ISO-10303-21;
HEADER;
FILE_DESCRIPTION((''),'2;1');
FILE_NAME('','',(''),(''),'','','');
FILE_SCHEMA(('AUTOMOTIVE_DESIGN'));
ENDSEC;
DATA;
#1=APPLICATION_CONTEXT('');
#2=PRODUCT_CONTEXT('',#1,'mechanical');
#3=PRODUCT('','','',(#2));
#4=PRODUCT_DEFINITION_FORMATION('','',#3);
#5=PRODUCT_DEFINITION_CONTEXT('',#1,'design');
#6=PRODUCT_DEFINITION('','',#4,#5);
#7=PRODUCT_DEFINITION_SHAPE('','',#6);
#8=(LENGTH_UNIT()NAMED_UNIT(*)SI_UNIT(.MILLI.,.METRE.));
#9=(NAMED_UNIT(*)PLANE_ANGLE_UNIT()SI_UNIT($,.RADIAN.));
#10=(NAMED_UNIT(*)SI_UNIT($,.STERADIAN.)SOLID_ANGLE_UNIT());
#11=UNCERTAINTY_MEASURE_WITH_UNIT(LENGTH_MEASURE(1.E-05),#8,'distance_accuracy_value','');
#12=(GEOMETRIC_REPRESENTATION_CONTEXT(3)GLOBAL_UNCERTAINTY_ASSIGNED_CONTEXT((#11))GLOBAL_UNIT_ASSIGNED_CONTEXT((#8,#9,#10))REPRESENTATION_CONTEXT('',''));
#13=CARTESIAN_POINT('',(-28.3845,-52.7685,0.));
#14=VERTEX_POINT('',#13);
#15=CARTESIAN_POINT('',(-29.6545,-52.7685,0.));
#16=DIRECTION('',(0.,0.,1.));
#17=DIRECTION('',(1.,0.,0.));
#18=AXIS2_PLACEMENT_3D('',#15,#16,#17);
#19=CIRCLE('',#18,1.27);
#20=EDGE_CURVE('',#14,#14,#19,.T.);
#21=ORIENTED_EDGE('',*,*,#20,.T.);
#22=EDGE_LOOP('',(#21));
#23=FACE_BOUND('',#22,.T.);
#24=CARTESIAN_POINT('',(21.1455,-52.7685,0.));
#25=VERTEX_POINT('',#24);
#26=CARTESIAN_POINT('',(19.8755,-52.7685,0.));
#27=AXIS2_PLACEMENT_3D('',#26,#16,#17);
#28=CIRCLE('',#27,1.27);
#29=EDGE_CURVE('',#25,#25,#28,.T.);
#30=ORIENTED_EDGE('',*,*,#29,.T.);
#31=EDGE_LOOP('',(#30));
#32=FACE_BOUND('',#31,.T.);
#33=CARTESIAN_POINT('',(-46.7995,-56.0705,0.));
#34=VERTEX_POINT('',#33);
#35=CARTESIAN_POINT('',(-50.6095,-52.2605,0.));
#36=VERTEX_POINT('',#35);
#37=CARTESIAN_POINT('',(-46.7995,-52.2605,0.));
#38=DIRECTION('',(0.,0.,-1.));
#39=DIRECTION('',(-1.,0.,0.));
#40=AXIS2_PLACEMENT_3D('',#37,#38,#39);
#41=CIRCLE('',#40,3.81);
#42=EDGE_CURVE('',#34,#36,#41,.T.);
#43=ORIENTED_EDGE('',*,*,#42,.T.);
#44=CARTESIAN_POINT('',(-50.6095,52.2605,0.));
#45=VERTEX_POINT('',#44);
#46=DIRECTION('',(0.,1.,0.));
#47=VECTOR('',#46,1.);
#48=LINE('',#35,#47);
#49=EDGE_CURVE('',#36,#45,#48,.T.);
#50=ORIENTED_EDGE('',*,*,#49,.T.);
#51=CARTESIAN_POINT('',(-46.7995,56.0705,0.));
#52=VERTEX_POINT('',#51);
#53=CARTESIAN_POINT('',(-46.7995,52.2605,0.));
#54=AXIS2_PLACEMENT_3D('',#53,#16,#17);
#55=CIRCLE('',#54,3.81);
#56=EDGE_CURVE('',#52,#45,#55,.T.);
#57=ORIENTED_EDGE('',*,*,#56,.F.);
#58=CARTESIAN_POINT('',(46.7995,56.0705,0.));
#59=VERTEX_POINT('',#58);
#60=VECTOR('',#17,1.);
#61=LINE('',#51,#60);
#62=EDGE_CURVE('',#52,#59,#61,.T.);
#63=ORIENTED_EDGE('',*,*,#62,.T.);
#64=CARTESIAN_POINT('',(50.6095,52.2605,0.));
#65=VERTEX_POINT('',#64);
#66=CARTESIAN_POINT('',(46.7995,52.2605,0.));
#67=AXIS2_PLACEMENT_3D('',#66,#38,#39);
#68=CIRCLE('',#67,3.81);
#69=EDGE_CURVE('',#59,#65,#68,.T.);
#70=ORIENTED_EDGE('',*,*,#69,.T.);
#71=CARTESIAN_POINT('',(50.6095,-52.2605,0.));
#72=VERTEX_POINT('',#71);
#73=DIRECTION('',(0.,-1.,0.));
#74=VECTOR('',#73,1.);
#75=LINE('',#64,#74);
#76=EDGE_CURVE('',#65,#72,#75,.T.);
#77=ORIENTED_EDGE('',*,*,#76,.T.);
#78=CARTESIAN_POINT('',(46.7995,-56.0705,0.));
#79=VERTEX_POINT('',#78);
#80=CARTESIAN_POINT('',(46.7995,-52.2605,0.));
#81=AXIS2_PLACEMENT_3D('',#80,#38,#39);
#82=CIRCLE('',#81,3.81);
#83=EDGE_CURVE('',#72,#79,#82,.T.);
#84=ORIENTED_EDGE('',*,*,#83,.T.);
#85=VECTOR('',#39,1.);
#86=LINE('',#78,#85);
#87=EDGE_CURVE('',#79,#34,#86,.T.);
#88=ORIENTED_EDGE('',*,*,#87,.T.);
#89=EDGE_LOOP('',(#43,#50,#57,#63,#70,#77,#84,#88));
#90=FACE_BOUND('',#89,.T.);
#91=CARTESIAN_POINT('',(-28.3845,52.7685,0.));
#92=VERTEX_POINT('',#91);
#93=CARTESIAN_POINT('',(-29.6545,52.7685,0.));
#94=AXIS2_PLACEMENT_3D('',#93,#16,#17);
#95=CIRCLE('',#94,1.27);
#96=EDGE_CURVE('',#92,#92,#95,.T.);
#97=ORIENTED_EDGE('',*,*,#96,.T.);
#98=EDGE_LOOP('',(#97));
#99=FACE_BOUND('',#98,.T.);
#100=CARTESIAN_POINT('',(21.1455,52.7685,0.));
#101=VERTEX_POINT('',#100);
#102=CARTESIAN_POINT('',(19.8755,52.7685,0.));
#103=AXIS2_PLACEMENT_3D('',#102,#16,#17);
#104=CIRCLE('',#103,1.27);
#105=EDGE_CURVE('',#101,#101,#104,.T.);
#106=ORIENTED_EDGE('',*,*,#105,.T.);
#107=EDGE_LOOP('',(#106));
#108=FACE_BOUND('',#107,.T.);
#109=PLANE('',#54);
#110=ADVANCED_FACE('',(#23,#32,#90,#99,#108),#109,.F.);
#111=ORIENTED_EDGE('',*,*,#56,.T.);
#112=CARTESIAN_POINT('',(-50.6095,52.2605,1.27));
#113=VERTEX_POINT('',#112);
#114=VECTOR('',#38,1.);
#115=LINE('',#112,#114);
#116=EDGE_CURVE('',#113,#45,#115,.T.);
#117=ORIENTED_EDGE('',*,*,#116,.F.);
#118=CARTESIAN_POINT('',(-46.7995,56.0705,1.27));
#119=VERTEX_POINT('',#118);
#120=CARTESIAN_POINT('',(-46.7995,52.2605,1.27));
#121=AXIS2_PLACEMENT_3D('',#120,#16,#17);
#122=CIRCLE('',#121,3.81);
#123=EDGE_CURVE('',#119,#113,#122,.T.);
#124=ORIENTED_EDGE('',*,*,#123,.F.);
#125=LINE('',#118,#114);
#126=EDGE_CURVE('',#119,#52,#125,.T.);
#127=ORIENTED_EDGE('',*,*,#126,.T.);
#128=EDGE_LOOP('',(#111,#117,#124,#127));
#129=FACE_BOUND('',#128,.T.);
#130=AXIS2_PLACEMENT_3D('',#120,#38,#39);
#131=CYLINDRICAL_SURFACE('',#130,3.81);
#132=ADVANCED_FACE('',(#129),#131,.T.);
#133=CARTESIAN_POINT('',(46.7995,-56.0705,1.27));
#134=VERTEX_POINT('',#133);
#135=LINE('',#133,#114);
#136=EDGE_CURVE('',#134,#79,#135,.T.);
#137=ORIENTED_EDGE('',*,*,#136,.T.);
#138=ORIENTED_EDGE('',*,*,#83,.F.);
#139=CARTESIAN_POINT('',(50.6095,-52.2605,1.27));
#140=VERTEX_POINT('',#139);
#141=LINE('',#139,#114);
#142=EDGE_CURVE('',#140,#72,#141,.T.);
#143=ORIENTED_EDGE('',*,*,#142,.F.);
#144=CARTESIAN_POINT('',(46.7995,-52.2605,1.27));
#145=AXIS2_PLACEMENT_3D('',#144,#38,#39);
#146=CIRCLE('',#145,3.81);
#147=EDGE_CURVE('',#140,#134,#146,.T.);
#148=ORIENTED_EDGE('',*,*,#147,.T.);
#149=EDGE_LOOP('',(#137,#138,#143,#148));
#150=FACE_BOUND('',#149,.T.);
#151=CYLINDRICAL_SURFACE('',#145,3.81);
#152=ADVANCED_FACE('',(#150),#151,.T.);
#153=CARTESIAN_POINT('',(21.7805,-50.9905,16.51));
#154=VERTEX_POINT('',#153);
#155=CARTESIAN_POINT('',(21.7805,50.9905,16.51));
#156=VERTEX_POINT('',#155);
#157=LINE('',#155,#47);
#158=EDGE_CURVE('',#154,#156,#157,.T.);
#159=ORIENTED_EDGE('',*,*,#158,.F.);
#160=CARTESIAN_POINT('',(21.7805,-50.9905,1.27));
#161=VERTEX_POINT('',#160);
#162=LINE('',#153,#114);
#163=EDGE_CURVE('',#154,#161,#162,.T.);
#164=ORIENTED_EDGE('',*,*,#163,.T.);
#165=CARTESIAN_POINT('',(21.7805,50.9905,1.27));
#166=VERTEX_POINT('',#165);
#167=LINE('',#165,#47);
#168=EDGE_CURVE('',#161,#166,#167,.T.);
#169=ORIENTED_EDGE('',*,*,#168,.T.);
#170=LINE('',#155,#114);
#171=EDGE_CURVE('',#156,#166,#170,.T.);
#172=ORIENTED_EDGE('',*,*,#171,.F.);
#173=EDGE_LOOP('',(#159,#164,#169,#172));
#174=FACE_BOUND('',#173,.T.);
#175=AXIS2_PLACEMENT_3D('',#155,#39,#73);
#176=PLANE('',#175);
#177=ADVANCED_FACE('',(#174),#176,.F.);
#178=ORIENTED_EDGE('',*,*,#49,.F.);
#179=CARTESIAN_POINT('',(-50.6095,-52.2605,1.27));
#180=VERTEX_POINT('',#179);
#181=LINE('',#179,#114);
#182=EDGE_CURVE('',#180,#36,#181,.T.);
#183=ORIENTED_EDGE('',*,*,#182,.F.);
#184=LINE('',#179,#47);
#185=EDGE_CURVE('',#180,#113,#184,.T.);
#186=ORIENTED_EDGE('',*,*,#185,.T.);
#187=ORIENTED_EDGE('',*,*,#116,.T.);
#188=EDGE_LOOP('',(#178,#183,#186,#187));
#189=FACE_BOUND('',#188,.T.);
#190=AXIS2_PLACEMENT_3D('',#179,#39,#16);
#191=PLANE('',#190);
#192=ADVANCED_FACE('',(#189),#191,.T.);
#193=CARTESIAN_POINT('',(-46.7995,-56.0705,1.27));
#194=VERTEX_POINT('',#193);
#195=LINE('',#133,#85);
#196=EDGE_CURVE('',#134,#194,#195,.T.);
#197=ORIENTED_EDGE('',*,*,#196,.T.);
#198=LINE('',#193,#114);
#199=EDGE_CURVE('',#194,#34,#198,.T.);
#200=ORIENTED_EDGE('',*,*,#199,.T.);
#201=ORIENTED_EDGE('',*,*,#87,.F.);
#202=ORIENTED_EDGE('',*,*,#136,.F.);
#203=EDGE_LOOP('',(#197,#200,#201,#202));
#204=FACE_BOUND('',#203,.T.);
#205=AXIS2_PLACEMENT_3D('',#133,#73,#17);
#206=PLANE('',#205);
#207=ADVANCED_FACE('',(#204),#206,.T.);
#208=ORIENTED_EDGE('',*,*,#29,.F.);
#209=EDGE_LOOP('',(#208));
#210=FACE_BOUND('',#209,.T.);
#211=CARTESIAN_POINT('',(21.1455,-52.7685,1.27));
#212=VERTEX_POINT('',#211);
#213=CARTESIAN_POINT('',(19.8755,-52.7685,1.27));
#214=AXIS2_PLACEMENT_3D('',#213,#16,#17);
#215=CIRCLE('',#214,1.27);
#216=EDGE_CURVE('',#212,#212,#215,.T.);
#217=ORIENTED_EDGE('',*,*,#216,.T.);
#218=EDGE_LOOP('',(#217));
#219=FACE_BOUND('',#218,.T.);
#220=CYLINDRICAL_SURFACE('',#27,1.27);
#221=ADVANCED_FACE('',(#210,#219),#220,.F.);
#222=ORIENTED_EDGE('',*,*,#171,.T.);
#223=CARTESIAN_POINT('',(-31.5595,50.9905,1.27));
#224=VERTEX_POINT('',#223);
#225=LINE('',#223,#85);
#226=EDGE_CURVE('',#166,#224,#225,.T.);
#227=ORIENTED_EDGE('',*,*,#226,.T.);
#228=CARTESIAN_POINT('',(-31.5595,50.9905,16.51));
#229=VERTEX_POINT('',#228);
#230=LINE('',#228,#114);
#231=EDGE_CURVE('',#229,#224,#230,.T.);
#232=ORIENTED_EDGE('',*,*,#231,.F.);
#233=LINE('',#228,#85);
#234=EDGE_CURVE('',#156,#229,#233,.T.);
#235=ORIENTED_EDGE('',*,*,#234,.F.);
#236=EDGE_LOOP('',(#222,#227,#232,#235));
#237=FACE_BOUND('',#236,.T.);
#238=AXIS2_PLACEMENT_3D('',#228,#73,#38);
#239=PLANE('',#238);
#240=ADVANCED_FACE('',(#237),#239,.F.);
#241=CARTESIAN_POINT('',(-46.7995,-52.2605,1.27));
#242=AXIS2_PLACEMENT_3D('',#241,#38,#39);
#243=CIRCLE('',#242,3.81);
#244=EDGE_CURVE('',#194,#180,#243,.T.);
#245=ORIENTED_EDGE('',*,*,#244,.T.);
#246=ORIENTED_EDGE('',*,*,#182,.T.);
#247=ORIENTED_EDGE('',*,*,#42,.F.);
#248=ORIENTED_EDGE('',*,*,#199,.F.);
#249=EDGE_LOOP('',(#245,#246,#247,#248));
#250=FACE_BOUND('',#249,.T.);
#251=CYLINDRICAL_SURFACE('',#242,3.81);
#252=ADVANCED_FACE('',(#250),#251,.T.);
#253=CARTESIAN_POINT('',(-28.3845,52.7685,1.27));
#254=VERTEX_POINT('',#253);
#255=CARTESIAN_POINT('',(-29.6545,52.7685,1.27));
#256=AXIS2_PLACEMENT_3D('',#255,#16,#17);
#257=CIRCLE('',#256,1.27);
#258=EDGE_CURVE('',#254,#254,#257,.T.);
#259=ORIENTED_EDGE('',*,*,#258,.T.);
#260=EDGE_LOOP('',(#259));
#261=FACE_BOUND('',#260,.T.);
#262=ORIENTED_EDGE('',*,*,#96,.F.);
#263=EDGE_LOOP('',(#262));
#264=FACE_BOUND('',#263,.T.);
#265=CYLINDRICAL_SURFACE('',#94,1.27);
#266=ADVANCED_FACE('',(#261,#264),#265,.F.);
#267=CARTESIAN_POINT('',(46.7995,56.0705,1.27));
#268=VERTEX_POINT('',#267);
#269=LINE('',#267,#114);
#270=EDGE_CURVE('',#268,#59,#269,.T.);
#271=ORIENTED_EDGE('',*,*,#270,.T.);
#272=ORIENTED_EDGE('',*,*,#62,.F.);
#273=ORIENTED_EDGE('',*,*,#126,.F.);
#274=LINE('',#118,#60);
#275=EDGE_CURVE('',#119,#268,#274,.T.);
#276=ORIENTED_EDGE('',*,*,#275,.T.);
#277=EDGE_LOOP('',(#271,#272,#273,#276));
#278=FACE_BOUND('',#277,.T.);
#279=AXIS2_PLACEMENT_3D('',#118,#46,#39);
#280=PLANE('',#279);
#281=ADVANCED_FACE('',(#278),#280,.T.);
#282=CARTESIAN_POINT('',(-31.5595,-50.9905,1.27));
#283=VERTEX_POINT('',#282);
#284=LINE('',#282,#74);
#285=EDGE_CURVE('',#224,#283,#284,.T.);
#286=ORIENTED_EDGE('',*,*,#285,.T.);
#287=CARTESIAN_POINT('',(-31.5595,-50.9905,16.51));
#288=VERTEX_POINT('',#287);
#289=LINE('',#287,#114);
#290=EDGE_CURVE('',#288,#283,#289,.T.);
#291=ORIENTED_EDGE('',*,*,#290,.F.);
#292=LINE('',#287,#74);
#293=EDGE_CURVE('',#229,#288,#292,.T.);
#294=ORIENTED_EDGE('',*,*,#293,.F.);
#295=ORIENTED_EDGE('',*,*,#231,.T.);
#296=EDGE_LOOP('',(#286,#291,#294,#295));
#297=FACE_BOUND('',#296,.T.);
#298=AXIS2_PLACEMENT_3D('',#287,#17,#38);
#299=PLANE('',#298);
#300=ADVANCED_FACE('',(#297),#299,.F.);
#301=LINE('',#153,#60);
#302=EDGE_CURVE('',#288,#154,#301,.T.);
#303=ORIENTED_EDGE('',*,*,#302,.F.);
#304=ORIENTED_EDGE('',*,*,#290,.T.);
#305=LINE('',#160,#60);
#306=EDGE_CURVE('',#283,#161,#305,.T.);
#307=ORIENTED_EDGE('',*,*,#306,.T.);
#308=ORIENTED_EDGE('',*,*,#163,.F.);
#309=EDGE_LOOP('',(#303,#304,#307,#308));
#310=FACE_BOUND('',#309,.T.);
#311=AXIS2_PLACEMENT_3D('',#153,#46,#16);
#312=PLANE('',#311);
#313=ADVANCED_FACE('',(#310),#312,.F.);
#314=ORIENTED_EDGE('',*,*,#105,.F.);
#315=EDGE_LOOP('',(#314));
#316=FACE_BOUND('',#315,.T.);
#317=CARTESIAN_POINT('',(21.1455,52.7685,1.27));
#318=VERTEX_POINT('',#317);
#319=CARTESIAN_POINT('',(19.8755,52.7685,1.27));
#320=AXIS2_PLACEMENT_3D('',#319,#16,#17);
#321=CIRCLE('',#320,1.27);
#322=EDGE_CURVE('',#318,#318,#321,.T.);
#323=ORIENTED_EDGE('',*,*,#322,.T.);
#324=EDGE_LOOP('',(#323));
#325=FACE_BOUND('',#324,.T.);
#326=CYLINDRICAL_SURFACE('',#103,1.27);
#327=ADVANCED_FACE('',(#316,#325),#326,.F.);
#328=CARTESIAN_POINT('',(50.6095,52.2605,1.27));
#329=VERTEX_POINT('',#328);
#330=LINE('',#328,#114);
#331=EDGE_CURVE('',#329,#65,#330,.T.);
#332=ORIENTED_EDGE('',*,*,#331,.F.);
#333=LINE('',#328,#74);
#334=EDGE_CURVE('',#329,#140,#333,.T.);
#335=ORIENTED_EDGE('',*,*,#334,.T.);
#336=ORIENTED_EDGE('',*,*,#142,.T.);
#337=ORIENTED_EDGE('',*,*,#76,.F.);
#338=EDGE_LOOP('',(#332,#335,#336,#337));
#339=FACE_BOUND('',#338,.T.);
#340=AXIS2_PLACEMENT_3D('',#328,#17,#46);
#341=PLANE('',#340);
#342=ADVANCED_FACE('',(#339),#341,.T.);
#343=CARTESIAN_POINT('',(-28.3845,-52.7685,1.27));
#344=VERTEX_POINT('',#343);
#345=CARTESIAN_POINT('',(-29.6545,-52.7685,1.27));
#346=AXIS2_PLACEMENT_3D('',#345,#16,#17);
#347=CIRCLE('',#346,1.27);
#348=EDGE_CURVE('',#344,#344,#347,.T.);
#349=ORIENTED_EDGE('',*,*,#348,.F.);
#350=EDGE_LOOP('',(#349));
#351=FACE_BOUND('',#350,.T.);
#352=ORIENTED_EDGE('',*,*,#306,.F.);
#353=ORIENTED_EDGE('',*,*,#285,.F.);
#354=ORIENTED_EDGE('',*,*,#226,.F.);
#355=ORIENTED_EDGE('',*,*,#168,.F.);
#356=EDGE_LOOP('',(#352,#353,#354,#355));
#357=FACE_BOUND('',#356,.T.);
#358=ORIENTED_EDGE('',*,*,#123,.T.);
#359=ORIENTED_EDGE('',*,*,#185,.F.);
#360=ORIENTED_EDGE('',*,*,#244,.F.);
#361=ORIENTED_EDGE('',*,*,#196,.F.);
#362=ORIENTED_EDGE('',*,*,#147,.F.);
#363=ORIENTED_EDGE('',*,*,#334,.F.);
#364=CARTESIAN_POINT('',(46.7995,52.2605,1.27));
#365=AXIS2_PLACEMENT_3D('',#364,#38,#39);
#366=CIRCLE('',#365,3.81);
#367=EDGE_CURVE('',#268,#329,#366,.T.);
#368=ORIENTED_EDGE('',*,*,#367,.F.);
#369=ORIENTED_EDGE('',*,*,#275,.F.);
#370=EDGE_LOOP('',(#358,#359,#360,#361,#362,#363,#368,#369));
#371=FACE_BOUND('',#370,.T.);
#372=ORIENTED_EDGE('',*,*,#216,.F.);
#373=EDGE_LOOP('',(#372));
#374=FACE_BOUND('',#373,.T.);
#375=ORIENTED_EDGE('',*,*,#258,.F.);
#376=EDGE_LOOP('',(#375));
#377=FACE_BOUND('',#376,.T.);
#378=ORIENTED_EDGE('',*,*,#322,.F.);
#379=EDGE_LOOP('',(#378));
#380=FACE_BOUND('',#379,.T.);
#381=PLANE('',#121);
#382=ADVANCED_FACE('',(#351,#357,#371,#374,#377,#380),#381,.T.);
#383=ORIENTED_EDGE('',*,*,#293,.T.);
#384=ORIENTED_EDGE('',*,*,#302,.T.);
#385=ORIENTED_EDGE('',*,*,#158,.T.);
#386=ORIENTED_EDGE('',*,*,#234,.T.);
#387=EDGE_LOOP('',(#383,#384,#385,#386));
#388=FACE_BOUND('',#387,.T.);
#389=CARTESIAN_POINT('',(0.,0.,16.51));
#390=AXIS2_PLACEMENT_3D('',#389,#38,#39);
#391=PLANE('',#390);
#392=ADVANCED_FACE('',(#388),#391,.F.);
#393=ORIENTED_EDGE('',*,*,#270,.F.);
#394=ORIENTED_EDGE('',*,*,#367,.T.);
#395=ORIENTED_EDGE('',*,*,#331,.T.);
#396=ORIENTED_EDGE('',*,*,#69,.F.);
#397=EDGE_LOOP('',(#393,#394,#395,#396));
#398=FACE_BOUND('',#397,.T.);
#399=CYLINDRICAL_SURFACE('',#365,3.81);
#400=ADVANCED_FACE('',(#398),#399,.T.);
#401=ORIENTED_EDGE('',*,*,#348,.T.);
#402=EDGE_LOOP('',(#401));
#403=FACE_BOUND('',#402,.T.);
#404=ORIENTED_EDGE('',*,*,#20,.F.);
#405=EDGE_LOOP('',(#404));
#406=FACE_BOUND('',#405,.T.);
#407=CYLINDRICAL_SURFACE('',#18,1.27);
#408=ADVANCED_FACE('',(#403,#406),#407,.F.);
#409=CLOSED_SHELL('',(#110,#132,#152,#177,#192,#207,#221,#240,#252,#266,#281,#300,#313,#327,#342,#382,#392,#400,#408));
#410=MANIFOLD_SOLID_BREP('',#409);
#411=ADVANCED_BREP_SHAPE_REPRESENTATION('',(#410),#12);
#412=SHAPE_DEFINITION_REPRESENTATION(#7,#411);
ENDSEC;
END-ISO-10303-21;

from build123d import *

# Parameters (mm, degrees)
BOSS_EXTRUDE1_DEPTH     = 1.27
SKETCH2_W               = 53.34
SKETCH2_H               = 101.981
BOSS_EXTRUDE2_DEPTH     = 15.24
CUT_EXTRUDE1_DEPTH      = 78.055045652
CUT_EXTRUDE1_DEPTH_BACK = 78.055045652
SKETCH4_R               = 1.27


with BuildPart() as part:
    # Sketch1 → Boss-Extrude1 (new body)
    with BuildSketch(Plane.XY):
        with BuildLine():
            Line((-46.7995, 56.0705), (46.7995, 56.0705))
            ThreePointArc((46.7995, 56.0705), (49.493576836, 54.954576836), (50.6095, 52.2605))
            Line((50.6095, 52.2605), (50.6095, -52.2605))
            ThreePointArc((50.6095, -52.2605), (49.493576836, -54.954576836), (46.7995, -56.0705))
            Line((46.7995, -56.0705), (-46.7995, -56.0705))
            ThreePointArc((-46.7995, -56.0705), (-49.493576836, -54.954576836), (-50.6095, -52.2605))
            Line((-50.6095, -52.2605), (-50.6095, 52.2605))
            ThreePointArc((-50.6095, 52.2605), (-49.493576836, 54.954576836), (-46.7995, 56.0705))
        make_face()
    extrude(amount=BOSS_EXTRUDE1_DEPTH)

    # Sketch2 → Boss-Extrude2 (add)
    with BuildSketch(Plane.XY.offset(1.27)):
        with Locations((-4.8895, 0)):
            Rectangle(SKETCH2_W, SKETCH2_H)
    extrude(amount=BOSS_EXTRUDE2_DEPTH)

    # Sketch4 → Cut-Extrude1 (cut, two sides: drawn at the far end of the back side and taken through both)
    with BuildSketch(Plane.XY.offset(1.27).offset(-CUT_EXTRUDE1_DEPTH_BACK)):
        with Locations((-29.6545, 52.7685)):
            Circle(SKETCH4_R)
        with Locations((19.8755, 52.7685)):
            Circle(SKETCH4_R)
        with Locations((-29.6545, -52.7685)):
            Circle(SKETCH4_R)
        with Locations((19.8755, -52.7685)):
            Circle(SKETCH4_R)
    extrude(amount=CUT_EXTRUDE1_DEPTH + CUT_EXTRUDE1_DEPTH_BACK, mode=Mode.SUBTRACT)


solid = part.part
